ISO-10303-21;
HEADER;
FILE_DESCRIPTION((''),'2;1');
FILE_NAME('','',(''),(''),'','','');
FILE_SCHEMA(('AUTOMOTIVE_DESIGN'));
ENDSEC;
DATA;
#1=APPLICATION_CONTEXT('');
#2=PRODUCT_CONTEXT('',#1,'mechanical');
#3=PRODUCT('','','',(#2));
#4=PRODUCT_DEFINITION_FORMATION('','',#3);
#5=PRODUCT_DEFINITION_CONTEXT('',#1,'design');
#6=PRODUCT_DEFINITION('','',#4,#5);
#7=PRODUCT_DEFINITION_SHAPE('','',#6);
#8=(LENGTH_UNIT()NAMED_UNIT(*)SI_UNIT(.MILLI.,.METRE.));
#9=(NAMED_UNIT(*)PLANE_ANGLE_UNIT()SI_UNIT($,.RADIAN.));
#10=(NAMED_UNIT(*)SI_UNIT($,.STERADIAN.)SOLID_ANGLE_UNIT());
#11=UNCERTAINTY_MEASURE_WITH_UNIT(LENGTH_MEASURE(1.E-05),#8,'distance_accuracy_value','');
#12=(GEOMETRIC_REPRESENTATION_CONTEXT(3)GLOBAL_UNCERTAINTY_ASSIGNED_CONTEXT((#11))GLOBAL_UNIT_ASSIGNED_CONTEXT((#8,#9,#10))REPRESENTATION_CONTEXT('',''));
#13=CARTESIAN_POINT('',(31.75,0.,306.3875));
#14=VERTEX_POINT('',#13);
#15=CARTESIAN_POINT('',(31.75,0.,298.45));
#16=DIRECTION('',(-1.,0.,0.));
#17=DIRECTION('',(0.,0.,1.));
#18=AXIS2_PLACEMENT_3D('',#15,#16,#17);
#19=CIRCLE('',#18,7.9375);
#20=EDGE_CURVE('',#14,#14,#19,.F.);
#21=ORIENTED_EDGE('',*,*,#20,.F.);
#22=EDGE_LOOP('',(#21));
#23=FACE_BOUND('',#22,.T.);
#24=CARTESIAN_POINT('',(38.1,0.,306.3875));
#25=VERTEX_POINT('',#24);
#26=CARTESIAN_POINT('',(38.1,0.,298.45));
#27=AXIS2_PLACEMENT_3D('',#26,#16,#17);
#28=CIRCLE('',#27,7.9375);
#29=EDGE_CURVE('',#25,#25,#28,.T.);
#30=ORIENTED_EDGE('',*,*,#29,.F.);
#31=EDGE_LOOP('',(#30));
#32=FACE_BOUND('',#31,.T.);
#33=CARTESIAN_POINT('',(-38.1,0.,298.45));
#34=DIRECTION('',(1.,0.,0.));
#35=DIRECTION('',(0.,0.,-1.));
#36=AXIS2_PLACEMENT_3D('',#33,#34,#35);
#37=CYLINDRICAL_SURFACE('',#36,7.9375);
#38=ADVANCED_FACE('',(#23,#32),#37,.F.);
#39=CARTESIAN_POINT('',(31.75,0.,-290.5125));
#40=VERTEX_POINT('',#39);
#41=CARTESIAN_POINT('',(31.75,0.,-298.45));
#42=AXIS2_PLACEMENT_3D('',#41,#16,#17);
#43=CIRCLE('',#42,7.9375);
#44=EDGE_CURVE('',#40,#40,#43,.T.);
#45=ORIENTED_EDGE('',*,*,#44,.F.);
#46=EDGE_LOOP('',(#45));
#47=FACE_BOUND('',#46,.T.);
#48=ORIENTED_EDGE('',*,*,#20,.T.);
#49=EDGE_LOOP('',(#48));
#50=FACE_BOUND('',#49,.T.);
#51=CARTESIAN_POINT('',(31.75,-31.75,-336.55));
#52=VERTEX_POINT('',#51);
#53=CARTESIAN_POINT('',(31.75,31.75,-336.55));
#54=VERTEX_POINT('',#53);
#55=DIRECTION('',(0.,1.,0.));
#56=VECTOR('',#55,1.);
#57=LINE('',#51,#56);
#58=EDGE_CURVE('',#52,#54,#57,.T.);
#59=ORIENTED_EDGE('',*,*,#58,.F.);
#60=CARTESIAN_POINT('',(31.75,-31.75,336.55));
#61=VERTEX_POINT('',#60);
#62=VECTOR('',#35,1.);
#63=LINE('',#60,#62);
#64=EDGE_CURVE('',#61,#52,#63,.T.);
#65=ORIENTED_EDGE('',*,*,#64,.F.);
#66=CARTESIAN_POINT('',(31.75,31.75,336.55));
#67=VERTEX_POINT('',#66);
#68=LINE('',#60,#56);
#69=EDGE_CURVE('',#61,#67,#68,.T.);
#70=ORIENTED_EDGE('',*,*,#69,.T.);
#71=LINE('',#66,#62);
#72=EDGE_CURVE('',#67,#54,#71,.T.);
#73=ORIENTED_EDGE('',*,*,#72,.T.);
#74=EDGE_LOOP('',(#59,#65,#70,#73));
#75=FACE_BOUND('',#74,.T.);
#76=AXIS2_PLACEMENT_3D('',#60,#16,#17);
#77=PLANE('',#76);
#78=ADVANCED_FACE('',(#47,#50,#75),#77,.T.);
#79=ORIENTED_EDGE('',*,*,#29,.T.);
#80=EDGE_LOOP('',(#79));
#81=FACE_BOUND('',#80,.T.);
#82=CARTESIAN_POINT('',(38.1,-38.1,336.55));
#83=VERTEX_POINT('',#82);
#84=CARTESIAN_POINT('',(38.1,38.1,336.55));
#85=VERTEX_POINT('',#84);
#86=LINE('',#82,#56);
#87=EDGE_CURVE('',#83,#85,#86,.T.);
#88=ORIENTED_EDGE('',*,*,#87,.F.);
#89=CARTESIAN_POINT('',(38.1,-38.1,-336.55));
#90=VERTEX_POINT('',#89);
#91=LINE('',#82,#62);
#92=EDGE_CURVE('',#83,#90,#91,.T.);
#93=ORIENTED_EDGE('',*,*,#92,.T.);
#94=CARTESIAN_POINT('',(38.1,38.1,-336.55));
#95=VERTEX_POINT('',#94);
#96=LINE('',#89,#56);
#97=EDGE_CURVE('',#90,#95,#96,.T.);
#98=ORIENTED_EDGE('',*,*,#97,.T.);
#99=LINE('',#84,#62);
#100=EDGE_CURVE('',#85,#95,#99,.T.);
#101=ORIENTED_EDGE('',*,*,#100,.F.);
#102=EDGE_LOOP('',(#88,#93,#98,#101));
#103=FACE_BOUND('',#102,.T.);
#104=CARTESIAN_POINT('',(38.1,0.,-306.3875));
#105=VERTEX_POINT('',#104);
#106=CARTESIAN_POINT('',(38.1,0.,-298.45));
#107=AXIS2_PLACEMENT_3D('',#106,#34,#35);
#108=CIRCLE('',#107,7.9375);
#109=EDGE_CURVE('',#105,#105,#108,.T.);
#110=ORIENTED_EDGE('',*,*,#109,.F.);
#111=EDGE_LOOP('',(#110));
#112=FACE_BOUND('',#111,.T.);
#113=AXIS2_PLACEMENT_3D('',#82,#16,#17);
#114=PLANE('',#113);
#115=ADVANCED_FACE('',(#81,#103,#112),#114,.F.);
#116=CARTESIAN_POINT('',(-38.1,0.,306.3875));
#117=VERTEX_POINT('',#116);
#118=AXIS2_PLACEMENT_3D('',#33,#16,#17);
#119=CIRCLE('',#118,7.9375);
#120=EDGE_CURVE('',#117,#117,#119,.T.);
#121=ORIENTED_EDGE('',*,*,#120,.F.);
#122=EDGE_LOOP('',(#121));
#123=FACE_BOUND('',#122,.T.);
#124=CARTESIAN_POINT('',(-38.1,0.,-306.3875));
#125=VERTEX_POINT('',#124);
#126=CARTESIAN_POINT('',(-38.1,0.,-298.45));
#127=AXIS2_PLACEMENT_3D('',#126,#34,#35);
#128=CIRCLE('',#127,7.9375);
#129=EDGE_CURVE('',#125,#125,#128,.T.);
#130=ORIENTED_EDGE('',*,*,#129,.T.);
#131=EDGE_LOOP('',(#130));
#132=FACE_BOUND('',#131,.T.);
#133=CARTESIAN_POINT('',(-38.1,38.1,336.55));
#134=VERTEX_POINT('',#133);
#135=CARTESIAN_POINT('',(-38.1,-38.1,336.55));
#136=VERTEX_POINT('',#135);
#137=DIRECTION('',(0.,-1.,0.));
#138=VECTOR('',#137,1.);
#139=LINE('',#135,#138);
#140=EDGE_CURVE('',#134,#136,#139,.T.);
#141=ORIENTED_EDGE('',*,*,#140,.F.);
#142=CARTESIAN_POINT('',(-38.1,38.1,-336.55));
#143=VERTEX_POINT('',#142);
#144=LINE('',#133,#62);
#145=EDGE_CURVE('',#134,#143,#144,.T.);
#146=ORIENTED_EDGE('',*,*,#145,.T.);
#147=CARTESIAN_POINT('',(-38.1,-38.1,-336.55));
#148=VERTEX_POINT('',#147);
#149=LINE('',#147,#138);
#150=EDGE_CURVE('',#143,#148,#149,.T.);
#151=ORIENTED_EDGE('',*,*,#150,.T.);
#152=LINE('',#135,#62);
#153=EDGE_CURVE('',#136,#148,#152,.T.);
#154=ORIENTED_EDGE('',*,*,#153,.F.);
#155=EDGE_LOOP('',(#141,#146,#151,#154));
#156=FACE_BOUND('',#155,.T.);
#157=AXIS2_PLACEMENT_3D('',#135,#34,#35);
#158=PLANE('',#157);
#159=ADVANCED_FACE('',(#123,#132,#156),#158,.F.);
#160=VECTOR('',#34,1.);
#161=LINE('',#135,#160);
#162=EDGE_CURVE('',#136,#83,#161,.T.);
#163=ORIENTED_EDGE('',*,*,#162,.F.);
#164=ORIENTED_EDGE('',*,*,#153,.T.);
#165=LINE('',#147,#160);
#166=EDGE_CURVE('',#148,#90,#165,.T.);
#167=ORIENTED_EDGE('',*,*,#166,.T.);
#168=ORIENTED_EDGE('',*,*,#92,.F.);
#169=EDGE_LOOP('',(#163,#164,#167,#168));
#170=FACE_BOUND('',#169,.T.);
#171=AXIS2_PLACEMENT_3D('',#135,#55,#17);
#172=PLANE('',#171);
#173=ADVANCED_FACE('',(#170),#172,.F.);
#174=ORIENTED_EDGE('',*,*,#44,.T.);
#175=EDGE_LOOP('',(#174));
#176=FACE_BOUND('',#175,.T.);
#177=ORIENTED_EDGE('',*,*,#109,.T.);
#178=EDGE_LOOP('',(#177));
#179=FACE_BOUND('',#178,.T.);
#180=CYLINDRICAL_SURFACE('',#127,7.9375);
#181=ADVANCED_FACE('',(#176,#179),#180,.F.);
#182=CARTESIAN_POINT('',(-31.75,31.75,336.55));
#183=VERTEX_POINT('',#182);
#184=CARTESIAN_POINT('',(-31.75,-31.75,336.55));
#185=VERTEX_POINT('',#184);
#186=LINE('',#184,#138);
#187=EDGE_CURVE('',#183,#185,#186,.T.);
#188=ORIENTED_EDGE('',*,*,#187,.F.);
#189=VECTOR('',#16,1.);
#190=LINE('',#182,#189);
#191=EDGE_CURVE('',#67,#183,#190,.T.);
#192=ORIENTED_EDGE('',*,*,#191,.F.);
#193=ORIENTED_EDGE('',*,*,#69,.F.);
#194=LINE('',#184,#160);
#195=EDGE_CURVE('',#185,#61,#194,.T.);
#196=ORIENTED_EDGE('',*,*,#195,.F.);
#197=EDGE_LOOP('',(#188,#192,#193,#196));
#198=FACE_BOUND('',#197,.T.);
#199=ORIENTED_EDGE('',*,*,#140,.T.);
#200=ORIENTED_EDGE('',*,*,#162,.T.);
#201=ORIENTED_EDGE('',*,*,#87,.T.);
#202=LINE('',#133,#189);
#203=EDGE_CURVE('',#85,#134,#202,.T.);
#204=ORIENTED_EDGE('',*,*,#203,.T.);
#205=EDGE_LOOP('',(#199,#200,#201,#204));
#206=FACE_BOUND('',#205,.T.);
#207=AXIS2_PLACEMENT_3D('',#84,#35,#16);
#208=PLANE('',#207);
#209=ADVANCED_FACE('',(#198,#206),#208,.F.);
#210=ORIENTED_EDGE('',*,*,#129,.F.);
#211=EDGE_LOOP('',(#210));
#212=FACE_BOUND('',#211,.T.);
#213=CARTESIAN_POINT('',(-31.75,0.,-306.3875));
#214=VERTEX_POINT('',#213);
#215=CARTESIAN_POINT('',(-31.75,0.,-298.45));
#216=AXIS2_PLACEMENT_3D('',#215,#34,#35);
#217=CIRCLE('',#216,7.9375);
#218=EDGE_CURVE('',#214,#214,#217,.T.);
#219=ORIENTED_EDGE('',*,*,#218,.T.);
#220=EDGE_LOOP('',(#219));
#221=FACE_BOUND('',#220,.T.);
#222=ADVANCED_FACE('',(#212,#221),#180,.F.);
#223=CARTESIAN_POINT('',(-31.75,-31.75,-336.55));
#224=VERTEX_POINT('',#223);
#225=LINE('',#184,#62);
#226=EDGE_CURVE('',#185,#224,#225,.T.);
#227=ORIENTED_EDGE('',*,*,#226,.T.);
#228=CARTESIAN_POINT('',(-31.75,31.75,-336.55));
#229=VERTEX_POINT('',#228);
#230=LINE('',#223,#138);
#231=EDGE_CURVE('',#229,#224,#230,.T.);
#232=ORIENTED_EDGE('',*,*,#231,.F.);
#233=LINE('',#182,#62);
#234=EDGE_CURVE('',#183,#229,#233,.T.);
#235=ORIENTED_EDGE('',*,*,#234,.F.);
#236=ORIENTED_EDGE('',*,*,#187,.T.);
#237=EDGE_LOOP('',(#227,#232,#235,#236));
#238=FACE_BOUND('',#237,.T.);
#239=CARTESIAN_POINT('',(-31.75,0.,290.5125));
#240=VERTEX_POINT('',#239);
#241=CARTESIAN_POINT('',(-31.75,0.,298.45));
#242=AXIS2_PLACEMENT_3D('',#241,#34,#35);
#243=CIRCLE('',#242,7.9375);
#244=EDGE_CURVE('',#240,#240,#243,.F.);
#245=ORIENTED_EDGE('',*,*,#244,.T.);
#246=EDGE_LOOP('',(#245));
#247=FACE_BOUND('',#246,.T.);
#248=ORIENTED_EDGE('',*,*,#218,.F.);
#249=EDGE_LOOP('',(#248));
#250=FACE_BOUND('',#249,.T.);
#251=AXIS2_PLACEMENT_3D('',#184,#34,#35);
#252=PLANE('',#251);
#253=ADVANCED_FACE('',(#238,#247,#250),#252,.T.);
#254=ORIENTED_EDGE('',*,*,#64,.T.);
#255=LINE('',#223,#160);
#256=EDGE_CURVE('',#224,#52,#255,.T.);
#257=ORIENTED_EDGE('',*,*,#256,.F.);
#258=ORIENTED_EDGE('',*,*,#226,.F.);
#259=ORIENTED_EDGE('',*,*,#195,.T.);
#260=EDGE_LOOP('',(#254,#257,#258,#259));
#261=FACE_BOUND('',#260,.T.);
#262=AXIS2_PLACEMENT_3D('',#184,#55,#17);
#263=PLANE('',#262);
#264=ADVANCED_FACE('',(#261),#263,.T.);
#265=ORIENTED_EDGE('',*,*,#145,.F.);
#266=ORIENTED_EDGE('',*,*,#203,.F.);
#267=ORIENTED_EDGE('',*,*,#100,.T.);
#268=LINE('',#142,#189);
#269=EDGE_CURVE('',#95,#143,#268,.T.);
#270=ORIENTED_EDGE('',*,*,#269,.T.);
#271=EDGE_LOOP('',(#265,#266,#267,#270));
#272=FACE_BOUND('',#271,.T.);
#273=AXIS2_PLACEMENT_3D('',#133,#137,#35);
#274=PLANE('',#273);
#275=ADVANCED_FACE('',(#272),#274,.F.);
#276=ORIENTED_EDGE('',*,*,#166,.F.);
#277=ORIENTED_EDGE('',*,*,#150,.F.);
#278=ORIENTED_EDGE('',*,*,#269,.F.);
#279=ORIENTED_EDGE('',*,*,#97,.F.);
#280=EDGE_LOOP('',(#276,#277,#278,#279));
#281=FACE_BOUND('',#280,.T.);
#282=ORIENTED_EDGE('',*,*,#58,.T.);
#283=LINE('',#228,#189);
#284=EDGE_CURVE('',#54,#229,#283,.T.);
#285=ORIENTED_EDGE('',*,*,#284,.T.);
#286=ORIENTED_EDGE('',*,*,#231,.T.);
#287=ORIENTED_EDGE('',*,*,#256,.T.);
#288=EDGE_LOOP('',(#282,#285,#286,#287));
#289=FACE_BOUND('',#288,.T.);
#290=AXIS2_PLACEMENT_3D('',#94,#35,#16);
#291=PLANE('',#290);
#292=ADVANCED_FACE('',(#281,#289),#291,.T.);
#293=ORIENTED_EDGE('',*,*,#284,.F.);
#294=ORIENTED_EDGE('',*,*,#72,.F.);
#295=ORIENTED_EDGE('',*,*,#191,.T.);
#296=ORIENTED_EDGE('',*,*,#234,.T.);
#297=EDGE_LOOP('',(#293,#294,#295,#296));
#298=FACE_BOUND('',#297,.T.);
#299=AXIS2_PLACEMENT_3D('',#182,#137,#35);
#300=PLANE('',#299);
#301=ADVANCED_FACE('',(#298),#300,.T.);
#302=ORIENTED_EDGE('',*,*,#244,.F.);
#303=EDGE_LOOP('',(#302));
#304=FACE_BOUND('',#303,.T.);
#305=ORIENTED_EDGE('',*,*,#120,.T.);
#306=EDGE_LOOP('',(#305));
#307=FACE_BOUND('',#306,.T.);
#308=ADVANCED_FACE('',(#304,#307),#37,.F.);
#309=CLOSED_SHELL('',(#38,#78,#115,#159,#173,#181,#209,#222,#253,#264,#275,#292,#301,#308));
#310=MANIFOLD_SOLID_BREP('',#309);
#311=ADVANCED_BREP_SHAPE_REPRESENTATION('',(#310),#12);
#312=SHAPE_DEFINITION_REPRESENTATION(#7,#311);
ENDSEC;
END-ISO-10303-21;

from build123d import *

# Parameters (mm, degrees)
SKETCH1_W           = 76.2
SKETCH1_H           = 76.2
SKETCH1_W_2         = 63.5
SKETCH1_H_2         = 63.5
BOSS_EXTRUDE1_DEPTH = 336.55
SKETCH2_R           = 7.9375
CUT_EXTRUDE1_DEPTH  = 77.2


with BuildPart() as part:
    # Sketch1 → Boss-Extrude1 (new body, symmetric)
    with BuildSketch(Plane.XY):
        Rectangle(SKETCH1_W, SKETCH1_H)
        Rectangle(SKETCH1_W_2, SKETCH1_H_2, mode=Mode.SUBTRACT)
    extrude(amount=BOSS_EXTRUDE1_DEPTH, both=True)

    # Sketch2 → Cut-Extrude1 (cut, through all)
    with BuildSketch(Plane(origin=(38.1, 0, 0), x_dir=(0, 0, -1), z_dir=(1, 0, 0))):
        with Locations((298.45, 0)):
            Circle(SKETCH2_R)
    cut_extrude1 = extrude(amount=-CUT_EXTRUDE1_DEPTH, mode=Mode.SUBTRACT)

    # Mirror1: Cut-Extrude1 across plane
    add(cut_extrude1.mirror(Plane.XY), mode=Mode.SUBTRACT)


solid = part.part
